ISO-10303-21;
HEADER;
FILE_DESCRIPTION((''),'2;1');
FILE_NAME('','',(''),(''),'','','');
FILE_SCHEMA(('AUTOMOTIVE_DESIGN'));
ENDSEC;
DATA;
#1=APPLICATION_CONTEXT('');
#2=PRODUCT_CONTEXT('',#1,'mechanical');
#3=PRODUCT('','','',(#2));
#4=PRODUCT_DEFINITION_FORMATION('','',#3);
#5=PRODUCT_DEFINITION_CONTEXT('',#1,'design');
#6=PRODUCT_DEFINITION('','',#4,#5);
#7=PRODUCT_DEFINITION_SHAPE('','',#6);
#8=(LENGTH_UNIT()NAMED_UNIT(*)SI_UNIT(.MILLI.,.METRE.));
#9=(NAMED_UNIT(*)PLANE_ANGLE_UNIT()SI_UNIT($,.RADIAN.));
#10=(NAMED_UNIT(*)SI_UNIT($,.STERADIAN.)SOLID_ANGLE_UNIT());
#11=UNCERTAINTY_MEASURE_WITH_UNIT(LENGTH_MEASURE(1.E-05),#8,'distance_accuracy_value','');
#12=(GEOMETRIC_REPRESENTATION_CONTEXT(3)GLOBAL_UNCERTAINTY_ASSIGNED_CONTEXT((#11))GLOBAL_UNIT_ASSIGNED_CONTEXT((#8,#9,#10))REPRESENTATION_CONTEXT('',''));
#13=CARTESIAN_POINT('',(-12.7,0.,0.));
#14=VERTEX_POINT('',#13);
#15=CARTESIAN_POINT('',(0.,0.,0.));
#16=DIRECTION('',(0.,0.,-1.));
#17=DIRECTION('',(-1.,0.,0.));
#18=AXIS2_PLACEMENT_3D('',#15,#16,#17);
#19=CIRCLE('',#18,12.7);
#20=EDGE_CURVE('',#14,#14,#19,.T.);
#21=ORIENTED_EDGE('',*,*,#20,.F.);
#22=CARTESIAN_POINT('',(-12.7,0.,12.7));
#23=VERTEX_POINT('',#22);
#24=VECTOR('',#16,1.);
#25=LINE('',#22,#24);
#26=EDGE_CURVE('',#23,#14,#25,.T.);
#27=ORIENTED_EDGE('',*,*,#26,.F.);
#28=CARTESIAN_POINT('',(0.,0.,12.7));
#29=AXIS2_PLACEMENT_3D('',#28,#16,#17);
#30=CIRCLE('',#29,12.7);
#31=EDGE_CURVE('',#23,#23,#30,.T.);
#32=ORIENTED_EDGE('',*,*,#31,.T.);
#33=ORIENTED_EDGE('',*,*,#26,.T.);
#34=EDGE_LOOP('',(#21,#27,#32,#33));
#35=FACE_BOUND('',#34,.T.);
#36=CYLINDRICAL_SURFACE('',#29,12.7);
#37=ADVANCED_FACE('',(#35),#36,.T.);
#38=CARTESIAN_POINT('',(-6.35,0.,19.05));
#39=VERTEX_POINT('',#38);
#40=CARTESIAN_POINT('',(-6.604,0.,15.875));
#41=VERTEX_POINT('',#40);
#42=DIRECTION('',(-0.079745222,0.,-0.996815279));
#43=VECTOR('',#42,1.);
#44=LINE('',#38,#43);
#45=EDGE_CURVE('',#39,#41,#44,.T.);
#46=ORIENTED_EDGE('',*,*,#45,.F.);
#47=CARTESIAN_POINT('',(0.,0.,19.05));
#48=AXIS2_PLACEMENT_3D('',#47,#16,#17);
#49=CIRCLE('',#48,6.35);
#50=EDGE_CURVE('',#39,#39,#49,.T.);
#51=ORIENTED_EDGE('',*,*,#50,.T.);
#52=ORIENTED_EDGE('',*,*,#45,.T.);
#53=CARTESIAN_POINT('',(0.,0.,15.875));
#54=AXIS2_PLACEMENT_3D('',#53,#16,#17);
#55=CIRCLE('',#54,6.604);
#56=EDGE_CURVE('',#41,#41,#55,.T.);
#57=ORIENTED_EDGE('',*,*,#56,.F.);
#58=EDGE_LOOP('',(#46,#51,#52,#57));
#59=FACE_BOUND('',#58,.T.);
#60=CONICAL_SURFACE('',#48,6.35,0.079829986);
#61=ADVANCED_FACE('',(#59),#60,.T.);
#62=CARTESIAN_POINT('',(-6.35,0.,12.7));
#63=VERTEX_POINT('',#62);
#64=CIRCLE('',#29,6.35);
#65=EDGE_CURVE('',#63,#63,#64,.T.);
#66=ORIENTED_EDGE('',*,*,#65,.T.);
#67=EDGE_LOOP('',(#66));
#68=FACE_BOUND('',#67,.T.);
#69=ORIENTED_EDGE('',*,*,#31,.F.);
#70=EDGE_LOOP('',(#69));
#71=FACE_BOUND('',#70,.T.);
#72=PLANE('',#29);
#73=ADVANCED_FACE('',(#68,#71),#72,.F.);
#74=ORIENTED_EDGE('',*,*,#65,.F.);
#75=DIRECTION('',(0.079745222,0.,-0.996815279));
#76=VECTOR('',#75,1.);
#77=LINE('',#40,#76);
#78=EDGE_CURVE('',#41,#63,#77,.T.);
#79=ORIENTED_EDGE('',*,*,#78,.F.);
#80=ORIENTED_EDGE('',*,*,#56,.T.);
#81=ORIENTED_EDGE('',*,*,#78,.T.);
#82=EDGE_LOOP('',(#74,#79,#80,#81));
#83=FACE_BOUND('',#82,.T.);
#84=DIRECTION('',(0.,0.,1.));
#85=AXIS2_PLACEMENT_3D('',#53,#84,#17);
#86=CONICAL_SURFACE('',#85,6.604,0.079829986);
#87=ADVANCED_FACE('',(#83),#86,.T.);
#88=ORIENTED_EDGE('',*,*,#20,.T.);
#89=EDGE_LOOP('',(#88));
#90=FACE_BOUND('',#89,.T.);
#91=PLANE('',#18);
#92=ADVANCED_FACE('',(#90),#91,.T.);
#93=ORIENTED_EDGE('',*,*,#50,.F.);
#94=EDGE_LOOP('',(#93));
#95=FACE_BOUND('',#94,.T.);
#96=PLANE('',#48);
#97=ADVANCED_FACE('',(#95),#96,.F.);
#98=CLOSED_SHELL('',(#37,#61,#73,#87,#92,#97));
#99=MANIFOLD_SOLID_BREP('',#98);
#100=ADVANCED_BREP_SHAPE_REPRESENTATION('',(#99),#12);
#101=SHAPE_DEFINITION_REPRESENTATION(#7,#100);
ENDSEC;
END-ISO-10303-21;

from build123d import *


with BuildPart() as f1:
    # F0 (on Front) → F1 (revolve)
    with BuildSketch(Plane.XZ):
        Polygon((-6.35, 12.7), (-6.35, 19.05), (-6.604, 15.875), align=None)
        Polygon((-12.7, 0), (0, 0), (0, 19.05), (-6.35, 19.05), (-6.35, 12.7), (-12.7, 12.7), align=None)
    revolve(axis=Axis((0, 0, 9.525), (0, 0, -1)))


solid = f1.part
